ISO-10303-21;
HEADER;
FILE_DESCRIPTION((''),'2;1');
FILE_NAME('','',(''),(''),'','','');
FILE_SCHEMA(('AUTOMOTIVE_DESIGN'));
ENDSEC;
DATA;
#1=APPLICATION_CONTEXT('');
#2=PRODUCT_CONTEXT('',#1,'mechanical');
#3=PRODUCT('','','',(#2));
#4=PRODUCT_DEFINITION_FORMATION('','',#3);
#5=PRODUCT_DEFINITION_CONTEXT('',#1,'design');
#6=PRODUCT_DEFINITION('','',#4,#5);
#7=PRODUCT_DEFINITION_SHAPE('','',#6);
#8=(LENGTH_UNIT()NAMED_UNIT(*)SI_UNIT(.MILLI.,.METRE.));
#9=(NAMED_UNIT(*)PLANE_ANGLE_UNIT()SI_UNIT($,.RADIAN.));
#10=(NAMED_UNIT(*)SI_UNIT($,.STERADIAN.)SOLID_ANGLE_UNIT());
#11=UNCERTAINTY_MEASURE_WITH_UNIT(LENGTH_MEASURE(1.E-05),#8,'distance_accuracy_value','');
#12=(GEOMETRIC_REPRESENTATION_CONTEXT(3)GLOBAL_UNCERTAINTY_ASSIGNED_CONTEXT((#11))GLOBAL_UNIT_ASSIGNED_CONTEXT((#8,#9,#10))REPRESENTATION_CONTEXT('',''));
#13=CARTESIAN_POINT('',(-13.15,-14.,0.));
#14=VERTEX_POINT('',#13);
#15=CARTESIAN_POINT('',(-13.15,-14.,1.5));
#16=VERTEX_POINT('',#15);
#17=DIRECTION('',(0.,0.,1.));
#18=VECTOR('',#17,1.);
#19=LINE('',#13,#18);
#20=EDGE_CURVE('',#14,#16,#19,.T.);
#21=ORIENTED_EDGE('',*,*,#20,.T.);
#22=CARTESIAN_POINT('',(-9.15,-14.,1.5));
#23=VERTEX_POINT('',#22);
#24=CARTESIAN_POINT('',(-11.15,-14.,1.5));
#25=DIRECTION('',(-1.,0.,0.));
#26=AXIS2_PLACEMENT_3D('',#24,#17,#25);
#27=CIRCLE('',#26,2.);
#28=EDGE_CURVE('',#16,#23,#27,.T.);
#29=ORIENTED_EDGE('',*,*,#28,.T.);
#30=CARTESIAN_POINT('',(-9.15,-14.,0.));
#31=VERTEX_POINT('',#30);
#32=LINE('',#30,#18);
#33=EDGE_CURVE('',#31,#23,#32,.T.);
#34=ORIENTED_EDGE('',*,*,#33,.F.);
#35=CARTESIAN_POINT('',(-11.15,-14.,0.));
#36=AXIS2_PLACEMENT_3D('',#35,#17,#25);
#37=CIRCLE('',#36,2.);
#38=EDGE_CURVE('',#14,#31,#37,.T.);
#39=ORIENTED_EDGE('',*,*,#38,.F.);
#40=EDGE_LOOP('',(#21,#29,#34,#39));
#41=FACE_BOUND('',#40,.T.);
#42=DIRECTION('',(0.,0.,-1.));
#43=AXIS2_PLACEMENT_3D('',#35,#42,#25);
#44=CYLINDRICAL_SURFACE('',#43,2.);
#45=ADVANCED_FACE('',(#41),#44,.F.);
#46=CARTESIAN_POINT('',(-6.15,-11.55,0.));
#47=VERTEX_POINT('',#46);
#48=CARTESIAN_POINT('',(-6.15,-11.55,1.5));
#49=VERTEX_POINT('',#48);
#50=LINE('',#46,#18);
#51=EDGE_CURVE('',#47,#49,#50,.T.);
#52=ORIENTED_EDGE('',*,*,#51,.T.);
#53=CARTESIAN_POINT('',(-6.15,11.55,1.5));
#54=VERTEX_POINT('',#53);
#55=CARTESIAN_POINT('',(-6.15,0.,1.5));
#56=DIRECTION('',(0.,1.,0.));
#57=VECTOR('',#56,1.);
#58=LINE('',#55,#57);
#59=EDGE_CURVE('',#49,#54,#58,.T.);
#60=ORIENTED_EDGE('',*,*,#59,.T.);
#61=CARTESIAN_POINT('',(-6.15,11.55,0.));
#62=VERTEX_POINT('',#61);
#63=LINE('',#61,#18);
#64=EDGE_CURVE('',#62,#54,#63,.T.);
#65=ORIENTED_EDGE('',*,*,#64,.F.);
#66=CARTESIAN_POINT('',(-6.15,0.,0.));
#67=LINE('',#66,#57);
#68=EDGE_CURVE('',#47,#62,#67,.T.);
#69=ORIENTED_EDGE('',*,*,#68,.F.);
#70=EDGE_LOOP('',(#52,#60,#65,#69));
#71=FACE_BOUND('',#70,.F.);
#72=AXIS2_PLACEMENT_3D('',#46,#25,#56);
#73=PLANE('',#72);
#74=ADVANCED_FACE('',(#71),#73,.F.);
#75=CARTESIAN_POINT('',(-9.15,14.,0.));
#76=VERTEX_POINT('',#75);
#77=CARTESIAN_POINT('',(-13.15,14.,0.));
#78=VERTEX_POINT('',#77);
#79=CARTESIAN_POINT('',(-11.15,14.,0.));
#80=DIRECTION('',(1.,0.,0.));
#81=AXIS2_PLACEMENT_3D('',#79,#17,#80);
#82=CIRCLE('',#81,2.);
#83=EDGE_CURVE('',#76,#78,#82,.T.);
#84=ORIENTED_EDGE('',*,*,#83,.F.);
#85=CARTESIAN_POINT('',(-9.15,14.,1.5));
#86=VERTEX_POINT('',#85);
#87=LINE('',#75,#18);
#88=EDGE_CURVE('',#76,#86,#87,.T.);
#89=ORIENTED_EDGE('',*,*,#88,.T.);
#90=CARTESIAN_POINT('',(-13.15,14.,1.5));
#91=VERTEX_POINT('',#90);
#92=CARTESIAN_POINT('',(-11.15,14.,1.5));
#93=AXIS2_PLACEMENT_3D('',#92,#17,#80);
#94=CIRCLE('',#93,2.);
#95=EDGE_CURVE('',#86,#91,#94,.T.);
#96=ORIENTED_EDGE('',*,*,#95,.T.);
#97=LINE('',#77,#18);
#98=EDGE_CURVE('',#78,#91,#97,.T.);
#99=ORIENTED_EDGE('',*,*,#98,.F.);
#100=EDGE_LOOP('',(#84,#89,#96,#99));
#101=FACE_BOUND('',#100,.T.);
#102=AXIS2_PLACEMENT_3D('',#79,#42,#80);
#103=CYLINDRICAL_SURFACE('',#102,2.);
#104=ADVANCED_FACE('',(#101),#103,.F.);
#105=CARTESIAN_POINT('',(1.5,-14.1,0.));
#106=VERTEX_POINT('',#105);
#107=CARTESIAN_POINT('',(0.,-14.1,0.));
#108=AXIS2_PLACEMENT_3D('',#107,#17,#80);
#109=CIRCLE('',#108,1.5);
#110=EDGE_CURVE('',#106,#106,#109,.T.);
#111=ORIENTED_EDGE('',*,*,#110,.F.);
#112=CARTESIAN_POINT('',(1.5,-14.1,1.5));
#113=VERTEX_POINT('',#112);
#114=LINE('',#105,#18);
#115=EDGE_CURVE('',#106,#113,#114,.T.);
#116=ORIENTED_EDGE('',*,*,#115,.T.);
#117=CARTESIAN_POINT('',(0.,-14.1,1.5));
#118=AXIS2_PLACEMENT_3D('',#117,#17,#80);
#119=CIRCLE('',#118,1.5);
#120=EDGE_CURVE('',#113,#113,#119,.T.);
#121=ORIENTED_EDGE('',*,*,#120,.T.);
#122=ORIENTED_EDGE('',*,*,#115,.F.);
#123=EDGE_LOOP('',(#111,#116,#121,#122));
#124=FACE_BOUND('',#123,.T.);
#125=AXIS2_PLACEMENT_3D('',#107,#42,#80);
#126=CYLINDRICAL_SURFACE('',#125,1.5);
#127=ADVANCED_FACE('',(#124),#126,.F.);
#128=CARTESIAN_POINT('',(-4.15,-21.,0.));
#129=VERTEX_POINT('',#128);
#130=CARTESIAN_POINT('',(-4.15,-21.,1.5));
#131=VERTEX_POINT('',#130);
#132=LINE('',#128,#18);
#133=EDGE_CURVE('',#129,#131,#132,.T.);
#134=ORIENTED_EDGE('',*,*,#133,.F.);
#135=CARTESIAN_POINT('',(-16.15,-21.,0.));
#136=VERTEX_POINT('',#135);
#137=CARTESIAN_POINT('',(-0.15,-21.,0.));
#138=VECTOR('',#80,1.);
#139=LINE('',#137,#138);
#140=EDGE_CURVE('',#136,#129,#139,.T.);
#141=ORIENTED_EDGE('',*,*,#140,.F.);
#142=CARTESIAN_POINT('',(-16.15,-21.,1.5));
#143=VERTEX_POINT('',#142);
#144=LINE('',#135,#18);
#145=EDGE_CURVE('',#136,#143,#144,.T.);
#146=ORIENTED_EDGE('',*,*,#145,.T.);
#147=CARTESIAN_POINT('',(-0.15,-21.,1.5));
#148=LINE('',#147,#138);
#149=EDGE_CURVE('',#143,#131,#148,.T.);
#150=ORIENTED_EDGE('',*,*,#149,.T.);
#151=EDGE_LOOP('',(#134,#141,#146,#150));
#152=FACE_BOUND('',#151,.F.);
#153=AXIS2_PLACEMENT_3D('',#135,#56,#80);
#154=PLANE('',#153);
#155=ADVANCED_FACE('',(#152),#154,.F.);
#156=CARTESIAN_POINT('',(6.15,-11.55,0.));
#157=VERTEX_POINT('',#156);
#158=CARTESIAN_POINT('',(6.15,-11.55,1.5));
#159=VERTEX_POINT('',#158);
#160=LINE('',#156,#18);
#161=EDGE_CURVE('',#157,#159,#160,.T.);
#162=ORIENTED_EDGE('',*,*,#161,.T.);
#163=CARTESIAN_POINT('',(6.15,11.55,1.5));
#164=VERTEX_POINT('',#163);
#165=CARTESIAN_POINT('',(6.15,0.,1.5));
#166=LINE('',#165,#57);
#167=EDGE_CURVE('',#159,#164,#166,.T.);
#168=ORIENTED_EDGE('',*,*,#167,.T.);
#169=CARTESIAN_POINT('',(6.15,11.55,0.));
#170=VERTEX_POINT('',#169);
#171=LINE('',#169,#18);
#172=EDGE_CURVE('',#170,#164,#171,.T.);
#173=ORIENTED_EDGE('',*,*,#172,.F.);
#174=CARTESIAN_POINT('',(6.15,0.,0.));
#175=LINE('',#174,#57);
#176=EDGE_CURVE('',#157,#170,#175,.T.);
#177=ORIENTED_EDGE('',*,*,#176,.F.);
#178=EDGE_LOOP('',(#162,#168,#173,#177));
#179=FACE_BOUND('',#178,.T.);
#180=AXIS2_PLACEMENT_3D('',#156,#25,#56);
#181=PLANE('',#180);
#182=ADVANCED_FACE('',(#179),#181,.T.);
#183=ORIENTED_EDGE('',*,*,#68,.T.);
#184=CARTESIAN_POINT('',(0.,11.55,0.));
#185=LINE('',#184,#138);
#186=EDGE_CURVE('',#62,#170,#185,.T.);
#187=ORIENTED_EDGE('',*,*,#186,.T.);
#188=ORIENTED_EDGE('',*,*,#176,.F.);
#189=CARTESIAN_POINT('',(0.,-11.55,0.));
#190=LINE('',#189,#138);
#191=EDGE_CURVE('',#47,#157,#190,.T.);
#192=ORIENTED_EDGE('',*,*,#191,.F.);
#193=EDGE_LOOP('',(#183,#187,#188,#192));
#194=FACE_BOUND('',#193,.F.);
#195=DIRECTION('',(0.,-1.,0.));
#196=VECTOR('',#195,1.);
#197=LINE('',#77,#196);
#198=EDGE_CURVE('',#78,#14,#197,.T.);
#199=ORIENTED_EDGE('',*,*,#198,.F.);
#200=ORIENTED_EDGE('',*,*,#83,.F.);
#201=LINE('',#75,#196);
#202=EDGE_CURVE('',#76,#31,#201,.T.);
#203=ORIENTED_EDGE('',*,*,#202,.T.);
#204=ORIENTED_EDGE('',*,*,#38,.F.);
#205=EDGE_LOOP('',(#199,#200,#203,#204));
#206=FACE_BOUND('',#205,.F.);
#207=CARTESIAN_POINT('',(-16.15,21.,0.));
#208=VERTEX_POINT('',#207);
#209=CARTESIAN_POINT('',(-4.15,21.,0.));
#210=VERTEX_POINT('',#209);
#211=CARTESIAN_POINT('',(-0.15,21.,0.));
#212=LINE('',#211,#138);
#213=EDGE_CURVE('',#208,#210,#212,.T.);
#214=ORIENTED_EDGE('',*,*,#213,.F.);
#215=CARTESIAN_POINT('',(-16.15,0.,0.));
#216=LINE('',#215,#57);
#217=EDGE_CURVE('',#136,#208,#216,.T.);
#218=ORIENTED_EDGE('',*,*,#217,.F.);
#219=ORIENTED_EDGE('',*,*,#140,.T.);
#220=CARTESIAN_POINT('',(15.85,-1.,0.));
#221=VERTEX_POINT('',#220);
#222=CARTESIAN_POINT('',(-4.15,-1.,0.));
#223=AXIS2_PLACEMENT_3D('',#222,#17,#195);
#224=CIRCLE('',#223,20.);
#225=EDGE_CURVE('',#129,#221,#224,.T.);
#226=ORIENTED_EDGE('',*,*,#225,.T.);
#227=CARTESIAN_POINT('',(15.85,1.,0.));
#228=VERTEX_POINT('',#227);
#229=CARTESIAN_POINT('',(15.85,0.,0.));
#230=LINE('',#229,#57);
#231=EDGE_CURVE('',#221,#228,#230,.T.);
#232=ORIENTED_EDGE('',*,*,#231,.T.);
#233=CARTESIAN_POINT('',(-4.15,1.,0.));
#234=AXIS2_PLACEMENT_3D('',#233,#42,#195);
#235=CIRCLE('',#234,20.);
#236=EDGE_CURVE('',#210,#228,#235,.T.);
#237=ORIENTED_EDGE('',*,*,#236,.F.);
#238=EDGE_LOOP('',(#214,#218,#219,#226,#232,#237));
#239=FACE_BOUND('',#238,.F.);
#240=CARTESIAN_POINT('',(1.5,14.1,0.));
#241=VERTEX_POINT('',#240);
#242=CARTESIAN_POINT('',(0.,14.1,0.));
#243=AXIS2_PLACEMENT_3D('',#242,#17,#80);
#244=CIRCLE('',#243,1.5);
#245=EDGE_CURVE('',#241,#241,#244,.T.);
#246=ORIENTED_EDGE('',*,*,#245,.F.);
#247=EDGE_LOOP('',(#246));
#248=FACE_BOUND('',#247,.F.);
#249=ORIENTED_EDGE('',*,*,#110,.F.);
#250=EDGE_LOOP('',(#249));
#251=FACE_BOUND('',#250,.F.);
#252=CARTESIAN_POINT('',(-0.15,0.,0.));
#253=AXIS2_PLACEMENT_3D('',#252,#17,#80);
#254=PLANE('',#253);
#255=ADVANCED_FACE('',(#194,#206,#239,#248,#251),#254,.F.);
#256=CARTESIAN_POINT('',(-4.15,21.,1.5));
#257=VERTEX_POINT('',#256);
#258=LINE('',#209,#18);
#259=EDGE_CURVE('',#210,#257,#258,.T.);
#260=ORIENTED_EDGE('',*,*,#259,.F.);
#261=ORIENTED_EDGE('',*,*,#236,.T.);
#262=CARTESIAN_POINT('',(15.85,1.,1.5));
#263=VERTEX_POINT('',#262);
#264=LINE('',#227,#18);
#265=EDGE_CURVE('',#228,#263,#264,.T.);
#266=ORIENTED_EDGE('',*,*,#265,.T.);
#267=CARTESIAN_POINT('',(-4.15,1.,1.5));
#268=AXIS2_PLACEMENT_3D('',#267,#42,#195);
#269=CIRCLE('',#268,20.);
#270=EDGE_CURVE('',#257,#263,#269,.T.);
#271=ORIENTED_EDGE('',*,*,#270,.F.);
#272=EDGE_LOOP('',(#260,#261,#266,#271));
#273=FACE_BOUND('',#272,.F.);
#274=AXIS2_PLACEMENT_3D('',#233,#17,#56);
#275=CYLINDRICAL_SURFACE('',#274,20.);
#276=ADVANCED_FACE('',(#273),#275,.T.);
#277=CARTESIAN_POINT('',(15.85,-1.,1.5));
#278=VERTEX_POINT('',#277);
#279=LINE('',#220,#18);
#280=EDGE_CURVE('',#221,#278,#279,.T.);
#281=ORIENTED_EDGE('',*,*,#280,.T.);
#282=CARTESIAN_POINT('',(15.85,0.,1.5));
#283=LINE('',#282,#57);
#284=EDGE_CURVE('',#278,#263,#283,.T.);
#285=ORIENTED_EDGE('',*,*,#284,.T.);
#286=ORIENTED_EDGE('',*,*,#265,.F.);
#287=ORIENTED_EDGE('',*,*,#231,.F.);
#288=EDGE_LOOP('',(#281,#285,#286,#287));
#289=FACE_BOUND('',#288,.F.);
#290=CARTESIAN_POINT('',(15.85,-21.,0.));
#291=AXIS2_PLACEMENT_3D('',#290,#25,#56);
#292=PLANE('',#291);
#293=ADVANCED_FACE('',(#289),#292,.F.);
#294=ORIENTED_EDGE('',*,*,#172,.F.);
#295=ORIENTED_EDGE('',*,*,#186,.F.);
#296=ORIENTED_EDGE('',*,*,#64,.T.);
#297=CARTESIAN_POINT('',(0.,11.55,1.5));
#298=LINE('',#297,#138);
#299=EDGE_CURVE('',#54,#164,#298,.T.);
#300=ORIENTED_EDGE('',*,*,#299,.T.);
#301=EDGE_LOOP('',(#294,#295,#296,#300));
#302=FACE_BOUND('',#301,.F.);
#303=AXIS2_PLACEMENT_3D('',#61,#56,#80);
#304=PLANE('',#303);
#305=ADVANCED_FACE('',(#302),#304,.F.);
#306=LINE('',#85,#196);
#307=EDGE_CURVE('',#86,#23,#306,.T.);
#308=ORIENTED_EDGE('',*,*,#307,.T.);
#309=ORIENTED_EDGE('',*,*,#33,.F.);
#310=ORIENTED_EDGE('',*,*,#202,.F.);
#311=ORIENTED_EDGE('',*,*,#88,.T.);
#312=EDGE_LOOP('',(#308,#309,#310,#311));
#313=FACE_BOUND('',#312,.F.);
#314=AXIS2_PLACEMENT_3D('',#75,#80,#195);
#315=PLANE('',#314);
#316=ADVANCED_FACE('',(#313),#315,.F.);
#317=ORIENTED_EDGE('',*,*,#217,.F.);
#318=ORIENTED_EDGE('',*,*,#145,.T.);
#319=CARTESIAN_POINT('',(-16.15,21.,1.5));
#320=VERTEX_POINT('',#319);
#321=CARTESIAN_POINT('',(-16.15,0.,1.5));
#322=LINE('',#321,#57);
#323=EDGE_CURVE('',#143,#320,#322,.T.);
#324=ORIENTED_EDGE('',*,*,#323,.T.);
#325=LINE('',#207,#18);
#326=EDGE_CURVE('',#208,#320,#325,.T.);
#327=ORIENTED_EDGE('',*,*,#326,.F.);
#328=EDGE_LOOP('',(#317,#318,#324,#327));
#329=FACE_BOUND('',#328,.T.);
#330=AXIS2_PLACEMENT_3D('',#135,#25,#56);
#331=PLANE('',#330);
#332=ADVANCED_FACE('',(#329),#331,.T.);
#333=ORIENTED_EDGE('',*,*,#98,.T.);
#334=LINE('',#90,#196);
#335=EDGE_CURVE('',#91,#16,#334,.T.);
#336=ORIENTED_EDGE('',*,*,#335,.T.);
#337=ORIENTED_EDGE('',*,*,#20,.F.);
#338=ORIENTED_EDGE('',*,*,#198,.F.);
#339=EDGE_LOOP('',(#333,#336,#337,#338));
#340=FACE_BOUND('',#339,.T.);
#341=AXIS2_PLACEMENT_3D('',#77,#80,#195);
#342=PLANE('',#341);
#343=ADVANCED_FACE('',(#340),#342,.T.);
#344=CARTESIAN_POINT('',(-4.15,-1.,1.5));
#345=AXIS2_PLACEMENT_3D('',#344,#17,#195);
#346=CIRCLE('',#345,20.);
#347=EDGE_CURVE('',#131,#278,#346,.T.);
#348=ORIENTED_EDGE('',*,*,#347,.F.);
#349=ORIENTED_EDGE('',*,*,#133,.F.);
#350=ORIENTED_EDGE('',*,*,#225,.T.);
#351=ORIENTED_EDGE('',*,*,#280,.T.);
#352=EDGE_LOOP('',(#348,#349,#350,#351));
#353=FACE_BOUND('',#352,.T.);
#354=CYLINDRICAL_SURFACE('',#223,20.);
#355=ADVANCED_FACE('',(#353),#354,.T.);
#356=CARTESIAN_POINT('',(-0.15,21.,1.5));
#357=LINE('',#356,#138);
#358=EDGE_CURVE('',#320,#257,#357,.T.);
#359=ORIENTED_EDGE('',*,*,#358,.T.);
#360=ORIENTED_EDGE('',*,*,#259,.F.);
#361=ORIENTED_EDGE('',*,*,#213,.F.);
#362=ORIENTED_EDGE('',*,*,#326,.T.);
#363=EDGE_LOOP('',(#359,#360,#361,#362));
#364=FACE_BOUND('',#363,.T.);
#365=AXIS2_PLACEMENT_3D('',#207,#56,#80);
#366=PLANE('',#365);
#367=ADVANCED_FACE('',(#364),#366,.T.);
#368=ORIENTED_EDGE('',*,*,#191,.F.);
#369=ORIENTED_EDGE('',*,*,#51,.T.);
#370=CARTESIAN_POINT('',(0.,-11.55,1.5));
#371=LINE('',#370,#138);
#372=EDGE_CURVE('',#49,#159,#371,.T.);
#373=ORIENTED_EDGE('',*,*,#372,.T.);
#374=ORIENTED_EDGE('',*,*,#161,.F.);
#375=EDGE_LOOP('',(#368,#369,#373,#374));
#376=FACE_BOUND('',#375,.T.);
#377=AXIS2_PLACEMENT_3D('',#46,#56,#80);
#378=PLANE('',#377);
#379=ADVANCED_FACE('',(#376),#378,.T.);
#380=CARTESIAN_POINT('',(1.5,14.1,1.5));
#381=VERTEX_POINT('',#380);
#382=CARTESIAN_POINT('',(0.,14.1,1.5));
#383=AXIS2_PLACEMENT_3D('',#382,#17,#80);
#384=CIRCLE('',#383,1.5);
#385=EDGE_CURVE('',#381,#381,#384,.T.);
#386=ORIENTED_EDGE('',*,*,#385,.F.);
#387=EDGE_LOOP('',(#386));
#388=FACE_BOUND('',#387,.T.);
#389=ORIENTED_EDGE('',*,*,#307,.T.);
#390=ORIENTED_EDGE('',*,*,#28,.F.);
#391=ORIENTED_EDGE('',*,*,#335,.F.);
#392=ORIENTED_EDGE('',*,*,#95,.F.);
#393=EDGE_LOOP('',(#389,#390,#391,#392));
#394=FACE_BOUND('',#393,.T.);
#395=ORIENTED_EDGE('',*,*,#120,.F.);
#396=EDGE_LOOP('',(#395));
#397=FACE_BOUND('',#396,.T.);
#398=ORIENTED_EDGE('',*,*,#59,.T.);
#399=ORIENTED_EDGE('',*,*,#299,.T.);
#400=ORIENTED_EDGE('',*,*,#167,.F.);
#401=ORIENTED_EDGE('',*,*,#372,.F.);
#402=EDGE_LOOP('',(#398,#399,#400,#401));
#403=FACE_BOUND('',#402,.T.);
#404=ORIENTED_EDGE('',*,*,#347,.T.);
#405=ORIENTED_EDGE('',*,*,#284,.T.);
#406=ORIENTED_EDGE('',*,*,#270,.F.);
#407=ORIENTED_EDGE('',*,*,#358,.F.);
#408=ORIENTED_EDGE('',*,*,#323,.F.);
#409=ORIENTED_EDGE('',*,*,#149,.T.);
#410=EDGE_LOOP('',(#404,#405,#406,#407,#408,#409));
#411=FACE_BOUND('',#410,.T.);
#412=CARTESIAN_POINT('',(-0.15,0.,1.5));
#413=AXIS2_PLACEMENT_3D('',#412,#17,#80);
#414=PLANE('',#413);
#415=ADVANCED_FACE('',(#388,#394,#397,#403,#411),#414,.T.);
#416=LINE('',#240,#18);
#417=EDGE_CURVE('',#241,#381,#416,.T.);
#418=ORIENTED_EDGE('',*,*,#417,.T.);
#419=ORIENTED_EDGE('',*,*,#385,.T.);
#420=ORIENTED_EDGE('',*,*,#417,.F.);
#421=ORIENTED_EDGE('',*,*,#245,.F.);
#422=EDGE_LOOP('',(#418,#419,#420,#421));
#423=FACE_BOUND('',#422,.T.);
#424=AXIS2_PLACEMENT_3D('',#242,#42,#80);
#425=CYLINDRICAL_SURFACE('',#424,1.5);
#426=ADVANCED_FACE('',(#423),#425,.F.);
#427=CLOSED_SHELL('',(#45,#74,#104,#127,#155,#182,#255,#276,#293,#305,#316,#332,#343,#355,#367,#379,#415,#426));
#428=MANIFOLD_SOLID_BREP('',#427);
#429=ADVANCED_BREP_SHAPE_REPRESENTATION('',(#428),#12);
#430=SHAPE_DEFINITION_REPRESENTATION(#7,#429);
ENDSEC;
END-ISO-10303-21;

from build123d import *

# Parameters (mm, degrees)
SKETCH001_W   = 32
SKETCH001_H   = 42
SKETCH001_R   = 1.5
SKETCH001_W_2 = 12.3
SKETCH001_H_2 = 23.1
EXTRUDE_DEPTH = 1.5
FILLET_R      = 20


with BuildPart() as part:
    # Sketch001 → Extrude (new body)
    with BuildSketch(Plane.XY):
        with Locations((-0.15, 0)):
            Rectangle(SKETCH001_W, SKETCH001_H)
        with Locations((0, 14.1)):
            Circle(SKETCH001_R, mode=Mode.SUBTRACT)
        with Locations((0, -14.1)):
            Circle(SKETCH001_R, mode=Mode.SUBTRACT)
        Rectangle(SKETCH001_W_2, SKETCH001_H_2, mode=Mode.SUBTRACT)
        with BuildLine():
            ThreePointArc((-9.15, 14), (-11.15, 16), (-13.15, 14))
            Line((-13.15, 14), (-13.15, -14))
            ThreePointArc((-13.15, -14), (-11.15, -16), (-9.15, -14))
            Line((-9.15, 14), (-9.15, -14))
        make_face(mode=Mode.SUBTRACT)
    extrude(amount=EXTRUDE_DEPTH)

    # Fillet
    fillet_edges = [part.edges().sort_by_distance(p)[0] for p in [
        (15.85, 21, 0.75),
        (15.85, -21, 0.75),
    ]]
    fillet(fillet_edges, radius=FILLET_R)


solid = part.part
